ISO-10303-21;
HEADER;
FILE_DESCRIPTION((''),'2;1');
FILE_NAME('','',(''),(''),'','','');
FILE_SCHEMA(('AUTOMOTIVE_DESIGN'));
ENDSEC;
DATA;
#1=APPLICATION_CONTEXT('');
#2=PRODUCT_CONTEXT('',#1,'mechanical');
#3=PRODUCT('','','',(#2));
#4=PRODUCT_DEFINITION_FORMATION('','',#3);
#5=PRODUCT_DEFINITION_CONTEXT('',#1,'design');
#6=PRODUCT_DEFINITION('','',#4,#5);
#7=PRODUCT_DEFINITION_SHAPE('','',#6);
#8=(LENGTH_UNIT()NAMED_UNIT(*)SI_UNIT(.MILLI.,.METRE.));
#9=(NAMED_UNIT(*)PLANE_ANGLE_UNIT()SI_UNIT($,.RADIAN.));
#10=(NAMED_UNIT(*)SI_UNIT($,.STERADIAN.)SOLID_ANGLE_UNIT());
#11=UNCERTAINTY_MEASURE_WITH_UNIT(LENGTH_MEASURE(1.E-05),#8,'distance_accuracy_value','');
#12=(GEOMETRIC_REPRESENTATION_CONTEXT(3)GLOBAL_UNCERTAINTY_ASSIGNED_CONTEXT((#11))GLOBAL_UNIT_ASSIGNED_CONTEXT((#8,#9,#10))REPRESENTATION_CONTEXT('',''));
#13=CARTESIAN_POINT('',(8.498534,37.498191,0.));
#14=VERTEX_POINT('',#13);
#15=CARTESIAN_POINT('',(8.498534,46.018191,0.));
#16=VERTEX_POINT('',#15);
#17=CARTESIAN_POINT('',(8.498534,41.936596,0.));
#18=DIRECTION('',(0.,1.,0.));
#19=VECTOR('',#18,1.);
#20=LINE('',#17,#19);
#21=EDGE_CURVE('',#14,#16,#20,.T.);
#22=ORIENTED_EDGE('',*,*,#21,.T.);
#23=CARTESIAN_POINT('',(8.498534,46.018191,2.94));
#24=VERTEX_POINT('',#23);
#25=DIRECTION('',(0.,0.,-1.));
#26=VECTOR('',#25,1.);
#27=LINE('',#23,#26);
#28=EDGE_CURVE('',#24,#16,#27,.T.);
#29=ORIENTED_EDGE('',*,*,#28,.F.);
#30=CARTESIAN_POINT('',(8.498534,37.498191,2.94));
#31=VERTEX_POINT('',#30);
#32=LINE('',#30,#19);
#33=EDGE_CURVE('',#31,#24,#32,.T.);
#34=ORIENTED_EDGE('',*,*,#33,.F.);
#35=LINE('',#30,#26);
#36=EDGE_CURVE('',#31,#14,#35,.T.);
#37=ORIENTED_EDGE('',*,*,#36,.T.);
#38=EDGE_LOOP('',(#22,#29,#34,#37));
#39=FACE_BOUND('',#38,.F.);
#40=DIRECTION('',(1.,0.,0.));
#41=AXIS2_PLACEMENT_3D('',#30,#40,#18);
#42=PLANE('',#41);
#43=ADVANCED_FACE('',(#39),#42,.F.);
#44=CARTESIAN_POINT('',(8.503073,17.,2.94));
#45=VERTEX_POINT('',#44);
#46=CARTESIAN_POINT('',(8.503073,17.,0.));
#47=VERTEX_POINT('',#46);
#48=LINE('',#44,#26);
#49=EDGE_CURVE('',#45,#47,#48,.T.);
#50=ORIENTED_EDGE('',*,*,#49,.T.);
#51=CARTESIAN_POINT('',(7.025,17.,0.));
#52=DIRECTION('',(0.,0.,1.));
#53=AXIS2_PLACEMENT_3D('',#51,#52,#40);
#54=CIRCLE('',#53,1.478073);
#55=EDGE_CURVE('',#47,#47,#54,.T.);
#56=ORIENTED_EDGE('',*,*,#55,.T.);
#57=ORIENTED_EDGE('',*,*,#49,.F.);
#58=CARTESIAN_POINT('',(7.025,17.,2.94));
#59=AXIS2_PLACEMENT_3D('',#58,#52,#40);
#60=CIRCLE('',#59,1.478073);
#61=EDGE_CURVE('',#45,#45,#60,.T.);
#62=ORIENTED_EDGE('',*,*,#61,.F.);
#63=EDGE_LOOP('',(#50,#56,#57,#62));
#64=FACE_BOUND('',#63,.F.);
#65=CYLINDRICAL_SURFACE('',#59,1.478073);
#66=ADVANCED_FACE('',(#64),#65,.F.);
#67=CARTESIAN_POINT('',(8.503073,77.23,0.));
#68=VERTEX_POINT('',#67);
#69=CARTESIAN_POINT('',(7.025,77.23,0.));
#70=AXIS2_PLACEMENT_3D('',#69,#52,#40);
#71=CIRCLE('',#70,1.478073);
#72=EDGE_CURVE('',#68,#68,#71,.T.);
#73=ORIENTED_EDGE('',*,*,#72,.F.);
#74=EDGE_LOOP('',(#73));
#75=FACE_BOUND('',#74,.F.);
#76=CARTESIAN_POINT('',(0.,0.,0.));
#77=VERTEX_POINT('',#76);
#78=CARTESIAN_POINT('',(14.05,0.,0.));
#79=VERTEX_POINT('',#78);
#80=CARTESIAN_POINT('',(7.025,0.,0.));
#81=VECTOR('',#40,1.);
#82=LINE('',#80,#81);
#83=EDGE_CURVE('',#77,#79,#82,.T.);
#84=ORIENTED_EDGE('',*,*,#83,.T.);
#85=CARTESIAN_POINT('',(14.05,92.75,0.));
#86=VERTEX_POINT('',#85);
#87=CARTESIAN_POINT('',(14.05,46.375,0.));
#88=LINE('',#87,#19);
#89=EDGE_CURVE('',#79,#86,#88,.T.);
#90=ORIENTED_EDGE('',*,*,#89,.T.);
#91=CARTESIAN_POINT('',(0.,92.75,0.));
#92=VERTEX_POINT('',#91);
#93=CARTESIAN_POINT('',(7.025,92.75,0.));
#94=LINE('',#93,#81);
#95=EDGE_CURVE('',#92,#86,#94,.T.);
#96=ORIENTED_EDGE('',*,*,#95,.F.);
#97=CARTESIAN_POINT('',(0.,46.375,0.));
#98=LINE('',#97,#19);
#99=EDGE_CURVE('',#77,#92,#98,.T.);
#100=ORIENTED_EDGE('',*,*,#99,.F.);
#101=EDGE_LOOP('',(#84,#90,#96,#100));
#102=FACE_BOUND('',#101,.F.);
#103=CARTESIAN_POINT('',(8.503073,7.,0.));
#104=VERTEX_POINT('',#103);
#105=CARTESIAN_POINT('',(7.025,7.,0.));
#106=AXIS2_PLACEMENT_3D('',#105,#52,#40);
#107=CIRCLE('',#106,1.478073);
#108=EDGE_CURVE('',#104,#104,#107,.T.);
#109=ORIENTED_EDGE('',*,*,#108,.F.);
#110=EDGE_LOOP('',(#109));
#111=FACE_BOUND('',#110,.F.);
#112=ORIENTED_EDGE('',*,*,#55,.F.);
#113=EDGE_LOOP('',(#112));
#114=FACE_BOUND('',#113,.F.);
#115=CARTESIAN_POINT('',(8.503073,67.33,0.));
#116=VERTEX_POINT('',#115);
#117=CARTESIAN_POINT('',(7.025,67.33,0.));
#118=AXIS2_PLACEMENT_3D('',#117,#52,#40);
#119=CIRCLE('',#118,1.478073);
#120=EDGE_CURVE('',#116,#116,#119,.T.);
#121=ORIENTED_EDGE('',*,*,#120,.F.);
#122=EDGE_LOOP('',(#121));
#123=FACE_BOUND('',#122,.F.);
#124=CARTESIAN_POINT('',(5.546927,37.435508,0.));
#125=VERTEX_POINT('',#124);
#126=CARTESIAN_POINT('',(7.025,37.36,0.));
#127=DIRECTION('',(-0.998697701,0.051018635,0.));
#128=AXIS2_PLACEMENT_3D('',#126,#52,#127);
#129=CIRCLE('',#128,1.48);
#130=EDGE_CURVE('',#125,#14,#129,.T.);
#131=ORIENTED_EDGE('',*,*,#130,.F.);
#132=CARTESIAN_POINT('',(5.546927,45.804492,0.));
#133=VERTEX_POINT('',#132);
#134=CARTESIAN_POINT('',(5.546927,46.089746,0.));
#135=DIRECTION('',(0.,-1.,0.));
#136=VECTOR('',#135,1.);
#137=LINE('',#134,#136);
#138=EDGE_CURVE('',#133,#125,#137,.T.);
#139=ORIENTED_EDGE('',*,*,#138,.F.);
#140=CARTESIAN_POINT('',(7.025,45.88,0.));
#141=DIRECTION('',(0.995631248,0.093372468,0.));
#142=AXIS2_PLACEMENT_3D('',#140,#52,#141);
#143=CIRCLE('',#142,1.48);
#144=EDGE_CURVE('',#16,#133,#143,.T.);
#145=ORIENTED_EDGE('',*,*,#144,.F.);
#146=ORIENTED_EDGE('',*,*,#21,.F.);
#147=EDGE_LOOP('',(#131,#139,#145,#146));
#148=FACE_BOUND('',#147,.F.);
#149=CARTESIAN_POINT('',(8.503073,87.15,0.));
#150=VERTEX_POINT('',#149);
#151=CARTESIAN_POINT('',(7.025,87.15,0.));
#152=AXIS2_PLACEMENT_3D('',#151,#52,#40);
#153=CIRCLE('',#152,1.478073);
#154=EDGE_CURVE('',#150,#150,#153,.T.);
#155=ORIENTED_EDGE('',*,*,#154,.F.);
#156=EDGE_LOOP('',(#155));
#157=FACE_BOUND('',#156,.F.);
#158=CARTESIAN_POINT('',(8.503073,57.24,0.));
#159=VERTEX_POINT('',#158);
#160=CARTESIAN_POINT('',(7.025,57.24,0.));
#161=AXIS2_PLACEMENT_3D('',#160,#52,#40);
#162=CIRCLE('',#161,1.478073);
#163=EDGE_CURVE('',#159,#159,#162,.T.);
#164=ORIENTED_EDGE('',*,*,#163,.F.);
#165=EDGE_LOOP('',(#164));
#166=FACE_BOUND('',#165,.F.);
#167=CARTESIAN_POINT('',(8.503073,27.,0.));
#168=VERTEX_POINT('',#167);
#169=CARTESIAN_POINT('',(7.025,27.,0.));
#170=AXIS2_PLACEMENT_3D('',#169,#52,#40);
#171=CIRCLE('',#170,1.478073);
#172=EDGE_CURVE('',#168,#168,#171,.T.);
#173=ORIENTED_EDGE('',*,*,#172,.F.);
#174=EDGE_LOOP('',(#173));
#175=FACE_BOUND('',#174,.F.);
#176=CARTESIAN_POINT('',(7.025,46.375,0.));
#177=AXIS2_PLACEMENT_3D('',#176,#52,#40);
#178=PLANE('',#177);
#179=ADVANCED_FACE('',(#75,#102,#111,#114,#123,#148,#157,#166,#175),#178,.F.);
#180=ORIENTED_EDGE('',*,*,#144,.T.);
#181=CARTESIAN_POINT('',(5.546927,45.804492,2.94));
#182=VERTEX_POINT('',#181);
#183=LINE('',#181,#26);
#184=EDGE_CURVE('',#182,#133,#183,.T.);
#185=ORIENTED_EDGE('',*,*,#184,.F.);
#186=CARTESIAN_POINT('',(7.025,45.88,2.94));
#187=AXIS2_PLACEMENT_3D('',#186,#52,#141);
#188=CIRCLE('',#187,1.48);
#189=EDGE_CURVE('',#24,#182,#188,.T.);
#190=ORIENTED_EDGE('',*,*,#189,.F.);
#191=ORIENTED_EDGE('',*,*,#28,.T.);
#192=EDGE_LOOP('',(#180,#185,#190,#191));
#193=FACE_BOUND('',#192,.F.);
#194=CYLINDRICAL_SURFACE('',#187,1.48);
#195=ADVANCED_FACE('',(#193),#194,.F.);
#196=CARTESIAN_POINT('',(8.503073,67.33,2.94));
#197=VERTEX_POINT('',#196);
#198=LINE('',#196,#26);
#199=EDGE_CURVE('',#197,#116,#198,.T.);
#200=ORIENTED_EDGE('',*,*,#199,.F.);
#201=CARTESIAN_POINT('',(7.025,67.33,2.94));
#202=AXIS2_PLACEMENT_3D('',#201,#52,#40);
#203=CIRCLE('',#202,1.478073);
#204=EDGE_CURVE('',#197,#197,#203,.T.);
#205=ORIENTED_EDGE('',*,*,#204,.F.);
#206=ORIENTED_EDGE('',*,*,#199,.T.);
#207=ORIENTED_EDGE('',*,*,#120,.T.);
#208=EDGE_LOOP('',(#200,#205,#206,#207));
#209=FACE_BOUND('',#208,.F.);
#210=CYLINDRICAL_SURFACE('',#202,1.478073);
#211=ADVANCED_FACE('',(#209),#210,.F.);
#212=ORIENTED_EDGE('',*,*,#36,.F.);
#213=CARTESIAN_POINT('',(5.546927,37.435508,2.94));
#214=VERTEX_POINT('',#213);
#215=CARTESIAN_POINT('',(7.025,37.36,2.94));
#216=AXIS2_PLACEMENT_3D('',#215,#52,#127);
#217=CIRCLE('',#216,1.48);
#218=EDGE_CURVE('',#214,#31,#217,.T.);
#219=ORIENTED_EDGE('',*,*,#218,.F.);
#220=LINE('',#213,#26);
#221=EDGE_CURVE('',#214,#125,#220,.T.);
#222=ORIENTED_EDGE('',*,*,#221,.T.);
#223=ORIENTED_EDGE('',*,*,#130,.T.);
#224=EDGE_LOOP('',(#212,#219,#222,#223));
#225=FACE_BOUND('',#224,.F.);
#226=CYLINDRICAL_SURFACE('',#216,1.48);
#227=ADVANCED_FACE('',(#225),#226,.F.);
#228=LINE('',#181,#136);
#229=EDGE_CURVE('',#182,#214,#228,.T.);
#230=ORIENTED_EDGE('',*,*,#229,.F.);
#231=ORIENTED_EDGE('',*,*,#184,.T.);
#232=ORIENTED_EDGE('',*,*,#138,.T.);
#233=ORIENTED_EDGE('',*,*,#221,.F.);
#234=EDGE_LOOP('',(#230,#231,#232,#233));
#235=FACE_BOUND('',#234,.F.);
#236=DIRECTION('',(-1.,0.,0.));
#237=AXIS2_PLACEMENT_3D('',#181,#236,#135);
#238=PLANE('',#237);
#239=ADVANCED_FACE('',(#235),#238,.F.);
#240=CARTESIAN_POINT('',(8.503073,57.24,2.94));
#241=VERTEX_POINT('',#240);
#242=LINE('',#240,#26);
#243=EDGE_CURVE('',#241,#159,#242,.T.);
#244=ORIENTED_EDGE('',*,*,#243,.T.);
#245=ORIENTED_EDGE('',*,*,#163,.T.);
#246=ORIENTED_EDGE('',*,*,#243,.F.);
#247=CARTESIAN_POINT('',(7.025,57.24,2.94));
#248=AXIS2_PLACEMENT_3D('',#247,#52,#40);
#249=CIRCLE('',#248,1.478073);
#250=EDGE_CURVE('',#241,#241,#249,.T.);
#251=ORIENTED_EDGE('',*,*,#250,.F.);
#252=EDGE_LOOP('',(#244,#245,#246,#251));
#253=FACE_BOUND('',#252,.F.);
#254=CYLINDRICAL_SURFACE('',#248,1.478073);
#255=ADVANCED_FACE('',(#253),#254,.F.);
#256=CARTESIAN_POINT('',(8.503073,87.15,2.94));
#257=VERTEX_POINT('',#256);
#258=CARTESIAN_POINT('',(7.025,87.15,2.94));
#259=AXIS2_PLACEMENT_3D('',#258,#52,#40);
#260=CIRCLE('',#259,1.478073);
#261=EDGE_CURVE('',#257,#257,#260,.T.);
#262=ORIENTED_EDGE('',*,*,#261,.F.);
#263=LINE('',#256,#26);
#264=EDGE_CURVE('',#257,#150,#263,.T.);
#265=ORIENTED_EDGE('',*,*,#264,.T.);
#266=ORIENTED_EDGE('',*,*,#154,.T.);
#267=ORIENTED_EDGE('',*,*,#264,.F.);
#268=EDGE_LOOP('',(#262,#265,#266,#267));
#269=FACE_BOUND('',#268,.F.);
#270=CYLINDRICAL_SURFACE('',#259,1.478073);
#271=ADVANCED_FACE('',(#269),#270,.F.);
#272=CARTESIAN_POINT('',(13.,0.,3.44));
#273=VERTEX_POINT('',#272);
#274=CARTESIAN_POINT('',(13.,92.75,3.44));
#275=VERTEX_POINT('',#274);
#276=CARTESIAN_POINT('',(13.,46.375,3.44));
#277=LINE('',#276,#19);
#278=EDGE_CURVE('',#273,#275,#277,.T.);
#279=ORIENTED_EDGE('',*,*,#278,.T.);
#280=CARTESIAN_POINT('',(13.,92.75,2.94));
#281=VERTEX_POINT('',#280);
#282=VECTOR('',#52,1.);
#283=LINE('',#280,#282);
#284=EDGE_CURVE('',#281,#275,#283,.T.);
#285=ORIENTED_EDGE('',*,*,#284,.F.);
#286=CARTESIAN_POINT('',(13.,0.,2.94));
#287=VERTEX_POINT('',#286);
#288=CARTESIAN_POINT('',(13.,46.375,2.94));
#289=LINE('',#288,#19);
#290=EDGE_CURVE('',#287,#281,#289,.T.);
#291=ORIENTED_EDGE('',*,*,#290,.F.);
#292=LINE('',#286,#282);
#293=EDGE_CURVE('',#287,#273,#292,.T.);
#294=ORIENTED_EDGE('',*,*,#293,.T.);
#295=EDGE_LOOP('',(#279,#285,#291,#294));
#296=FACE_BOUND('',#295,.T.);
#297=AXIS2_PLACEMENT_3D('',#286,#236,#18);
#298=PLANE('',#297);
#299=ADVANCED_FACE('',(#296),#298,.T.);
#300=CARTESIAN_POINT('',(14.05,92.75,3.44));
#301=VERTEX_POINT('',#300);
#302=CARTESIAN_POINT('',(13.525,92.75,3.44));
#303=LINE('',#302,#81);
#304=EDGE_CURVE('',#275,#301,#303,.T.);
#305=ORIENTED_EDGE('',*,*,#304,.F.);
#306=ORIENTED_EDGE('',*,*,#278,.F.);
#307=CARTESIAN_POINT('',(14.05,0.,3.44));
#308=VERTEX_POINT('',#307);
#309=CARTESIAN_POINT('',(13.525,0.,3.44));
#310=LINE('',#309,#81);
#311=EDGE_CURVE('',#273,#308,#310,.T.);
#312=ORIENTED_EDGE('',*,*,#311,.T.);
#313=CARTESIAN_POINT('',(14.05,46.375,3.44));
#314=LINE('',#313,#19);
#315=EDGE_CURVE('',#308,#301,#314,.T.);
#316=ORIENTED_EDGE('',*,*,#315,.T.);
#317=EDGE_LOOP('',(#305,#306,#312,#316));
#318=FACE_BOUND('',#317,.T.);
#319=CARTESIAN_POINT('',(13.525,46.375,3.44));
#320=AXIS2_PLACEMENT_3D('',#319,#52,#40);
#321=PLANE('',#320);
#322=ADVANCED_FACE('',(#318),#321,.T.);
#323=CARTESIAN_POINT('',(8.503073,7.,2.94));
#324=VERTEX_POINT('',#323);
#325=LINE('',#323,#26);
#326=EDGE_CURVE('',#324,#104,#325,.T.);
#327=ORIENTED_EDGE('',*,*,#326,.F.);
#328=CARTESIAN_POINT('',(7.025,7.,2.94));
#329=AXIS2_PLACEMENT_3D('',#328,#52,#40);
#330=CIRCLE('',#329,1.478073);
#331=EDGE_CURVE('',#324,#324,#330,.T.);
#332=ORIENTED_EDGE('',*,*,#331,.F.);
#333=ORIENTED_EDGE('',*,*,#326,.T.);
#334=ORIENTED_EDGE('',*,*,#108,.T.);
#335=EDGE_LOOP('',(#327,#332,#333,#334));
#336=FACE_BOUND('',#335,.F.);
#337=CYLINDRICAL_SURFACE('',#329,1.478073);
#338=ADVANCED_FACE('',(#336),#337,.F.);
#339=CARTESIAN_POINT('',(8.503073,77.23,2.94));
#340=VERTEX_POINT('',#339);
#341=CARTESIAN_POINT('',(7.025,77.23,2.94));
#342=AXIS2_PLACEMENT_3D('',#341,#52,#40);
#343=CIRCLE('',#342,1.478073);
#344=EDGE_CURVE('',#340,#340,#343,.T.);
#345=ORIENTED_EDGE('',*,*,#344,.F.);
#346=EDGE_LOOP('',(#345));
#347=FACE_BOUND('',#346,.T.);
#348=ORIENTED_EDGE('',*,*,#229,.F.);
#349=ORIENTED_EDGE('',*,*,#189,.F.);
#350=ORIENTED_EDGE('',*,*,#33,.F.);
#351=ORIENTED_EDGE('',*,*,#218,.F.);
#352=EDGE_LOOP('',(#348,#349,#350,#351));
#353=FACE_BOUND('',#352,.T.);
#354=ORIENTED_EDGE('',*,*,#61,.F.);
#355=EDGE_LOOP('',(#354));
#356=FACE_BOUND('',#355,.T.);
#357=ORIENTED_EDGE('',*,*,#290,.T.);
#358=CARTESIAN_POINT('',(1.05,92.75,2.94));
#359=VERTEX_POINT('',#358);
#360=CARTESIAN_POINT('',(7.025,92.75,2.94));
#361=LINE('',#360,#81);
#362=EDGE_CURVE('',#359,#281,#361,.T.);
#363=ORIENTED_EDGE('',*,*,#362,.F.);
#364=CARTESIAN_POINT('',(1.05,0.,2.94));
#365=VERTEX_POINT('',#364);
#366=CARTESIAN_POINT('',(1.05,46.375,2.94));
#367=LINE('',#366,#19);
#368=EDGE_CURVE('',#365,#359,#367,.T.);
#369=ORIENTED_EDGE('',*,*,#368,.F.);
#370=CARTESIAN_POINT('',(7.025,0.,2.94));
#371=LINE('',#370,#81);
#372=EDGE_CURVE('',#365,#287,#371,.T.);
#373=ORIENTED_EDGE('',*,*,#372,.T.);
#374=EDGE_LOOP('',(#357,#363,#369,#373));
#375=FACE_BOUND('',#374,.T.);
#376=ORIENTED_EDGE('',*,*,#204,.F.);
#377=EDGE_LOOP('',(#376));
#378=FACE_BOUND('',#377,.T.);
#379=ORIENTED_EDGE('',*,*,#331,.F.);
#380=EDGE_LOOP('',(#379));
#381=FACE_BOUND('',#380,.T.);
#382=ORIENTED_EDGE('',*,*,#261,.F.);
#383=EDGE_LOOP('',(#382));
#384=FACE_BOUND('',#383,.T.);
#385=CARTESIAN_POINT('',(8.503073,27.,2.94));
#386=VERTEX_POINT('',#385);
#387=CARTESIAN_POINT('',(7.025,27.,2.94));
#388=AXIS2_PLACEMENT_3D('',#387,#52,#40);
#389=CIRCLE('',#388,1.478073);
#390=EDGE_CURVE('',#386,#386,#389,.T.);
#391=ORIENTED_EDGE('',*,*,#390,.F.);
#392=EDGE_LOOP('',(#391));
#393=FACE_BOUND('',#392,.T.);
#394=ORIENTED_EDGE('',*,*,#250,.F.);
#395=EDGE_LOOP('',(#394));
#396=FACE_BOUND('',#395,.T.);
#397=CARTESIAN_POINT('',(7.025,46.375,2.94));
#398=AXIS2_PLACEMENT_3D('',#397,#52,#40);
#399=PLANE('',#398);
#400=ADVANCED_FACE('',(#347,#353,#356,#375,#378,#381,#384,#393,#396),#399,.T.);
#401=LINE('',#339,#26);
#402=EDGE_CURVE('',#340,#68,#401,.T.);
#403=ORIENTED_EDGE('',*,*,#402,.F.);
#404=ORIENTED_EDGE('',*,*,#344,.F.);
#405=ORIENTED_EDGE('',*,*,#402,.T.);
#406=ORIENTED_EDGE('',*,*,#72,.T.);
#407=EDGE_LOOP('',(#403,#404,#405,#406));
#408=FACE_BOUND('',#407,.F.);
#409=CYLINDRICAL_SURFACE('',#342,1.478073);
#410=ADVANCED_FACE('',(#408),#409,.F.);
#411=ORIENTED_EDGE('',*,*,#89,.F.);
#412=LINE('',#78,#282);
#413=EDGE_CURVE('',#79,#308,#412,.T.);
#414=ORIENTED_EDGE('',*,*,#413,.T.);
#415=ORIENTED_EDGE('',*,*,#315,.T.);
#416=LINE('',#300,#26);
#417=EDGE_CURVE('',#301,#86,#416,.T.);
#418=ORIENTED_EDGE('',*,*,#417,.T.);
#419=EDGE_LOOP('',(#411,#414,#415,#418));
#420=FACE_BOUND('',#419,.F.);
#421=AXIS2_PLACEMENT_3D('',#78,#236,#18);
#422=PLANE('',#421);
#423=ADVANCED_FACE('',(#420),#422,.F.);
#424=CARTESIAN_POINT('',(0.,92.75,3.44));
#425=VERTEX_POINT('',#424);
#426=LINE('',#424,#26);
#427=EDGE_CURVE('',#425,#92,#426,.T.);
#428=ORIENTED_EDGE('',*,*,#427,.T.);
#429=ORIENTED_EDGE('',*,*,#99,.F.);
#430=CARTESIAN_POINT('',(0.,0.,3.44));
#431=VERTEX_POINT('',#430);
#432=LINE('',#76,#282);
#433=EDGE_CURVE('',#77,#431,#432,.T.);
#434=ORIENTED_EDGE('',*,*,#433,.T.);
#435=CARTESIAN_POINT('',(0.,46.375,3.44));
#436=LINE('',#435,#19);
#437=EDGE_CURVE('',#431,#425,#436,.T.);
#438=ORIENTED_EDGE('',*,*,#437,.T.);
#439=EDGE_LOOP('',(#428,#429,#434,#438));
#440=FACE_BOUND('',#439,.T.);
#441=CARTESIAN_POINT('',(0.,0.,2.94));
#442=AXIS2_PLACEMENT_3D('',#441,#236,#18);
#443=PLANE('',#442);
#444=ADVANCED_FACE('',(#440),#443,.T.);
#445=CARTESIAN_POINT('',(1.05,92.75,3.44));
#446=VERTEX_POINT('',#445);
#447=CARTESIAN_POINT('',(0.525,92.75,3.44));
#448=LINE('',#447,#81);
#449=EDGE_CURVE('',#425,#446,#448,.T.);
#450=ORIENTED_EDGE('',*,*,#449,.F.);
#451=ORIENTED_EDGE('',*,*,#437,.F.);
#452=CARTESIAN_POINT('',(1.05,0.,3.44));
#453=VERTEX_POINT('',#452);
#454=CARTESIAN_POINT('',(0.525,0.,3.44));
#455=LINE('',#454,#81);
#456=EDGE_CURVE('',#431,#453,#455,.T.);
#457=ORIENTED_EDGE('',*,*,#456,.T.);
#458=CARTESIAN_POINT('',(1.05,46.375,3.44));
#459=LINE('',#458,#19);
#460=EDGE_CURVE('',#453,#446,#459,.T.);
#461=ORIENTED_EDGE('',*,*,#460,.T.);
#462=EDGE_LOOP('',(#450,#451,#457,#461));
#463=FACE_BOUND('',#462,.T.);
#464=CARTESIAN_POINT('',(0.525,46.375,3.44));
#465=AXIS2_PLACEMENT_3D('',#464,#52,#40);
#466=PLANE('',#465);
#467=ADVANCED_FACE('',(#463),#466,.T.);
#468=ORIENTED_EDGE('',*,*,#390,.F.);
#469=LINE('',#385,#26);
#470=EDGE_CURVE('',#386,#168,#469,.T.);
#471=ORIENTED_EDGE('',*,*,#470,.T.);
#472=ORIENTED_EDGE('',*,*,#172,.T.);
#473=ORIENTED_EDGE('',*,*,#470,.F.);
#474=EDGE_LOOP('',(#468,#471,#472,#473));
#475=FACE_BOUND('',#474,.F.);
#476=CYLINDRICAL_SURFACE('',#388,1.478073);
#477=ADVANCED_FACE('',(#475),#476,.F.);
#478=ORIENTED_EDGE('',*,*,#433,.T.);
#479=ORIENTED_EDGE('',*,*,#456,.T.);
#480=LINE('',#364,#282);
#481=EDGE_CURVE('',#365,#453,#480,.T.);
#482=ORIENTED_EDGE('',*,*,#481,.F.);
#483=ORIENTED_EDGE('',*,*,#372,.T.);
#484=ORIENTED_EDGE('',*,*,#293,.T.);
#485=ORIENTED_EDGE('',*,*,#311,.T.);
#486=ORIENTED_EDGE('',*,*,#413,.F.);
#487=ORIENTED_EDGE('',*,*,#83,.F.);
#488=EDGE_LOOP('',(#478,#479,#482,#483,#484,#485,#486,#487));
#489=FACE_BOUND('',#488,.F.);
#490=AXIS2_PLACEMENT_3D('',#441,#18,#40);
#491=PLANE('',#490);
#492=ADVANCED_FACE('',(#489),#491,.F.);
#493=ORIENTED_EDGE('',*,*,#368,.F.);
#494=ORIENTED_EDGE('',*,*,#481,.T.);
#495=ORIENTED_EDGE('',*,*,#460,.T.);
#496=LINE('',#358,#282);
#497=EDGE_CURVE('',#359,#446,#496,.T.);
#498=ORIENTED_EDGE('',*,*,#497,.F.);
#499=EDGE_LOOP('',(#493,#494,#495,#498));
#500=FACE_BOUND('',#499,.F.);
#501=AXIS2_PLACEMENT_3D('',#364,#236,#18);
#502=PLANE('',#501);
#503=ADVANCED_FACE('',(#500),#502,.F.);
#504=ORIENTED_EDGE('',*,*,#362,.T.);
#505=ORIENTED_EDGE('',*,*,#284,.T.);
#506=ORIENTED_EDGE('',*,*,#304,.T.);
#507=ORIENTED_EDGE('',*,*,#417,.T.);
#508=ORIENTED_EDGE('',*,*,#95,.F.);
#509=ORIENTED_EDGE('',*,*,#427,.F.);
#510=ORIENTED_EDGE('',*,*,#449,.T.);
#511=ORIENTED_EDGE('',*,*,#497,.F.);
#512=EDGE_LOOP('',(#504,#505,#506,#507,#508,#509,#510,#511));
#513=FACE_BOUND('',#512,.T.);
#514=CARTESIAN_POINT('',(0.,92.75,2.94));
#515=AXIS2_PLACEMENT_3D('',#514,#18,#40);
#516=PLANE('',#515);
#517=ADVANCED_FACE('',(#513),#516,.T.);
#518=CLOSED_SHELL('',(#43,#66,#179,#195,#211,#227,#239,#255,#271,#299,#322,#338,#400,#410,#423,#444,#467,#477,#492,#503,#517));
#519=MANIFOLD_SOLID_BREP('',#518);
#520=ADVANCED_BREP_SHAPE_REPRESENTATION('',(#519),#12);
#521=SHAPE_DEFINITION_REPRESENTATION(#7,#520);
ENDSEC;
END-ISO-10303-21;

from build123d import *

# Parameters (mm, degrees)
F0_W     = 14.05
F0_H     = 92.75
F1_DEPTH = 2.94
F2_W     = 1.05
F2_H     = 92.75
F3_DEPTH = 0.5
F4_R     = 1.478073
F5_DEPTH = 2.941


with BuildPart() as f1:
    # F0 (on Top) → F1 (new body)
    with BuildSketch(Plane.XY):
        with Locations((7.025, 46.375)):
            Rectangle(F0_W, F0_H)
    extrude(amount=F1_DEPTH)

    # F2 (on face) → F3 (join)
    with BuildSketch(Plane.XY.offset(2.94)):
        with Locations((0.525, 46.375)):
            Rectangle(F2_W, F2_H)
        with Locations((13.525, 46.375)):
            Rectangle(F2_W, F2_H)
    extrude(amount=F3_DEPTH)

    # F4 (on face) → F5 (cut, through all)
    with BuildSketch(Plane.XY.offset(2.94)):
        with BuildLine():
            Line((5.546927, 45.804492), (5.546927, 37.435508))
            ThreePointArc((5.546927, 37.435508), (7.056423, 35.880334), (8.498534, 37.498191))
            Line((8.498534, 37.498191), (8.498534, 46.018191))
            ThreePointArc((8.498534, 46.018191), (6.918126, 47.356136), (5.546927, 45.804492))
        make_face()
        with Locations((7.025, 87.15)):
            Circle(F4_R)
        with Locations((7.025, 77.23)):
            Circle(F4_R)
        with Locations((7.025, 67.33)):
            Circle(F4_R)
        with Locations((7.025, 57.24)):
            Circle(F4_R)
        with Locations((7.025, 7)):
            Circle(F4_R)
        with Locations((7.025, 17)):
            Circle(F4_R)
        with Locations((7.025, 27)):
            Circle(F4_R)
    extrude(amount=-F5_DEPTH, mode=Mode.SUBTRACT)


solid = f1.part
